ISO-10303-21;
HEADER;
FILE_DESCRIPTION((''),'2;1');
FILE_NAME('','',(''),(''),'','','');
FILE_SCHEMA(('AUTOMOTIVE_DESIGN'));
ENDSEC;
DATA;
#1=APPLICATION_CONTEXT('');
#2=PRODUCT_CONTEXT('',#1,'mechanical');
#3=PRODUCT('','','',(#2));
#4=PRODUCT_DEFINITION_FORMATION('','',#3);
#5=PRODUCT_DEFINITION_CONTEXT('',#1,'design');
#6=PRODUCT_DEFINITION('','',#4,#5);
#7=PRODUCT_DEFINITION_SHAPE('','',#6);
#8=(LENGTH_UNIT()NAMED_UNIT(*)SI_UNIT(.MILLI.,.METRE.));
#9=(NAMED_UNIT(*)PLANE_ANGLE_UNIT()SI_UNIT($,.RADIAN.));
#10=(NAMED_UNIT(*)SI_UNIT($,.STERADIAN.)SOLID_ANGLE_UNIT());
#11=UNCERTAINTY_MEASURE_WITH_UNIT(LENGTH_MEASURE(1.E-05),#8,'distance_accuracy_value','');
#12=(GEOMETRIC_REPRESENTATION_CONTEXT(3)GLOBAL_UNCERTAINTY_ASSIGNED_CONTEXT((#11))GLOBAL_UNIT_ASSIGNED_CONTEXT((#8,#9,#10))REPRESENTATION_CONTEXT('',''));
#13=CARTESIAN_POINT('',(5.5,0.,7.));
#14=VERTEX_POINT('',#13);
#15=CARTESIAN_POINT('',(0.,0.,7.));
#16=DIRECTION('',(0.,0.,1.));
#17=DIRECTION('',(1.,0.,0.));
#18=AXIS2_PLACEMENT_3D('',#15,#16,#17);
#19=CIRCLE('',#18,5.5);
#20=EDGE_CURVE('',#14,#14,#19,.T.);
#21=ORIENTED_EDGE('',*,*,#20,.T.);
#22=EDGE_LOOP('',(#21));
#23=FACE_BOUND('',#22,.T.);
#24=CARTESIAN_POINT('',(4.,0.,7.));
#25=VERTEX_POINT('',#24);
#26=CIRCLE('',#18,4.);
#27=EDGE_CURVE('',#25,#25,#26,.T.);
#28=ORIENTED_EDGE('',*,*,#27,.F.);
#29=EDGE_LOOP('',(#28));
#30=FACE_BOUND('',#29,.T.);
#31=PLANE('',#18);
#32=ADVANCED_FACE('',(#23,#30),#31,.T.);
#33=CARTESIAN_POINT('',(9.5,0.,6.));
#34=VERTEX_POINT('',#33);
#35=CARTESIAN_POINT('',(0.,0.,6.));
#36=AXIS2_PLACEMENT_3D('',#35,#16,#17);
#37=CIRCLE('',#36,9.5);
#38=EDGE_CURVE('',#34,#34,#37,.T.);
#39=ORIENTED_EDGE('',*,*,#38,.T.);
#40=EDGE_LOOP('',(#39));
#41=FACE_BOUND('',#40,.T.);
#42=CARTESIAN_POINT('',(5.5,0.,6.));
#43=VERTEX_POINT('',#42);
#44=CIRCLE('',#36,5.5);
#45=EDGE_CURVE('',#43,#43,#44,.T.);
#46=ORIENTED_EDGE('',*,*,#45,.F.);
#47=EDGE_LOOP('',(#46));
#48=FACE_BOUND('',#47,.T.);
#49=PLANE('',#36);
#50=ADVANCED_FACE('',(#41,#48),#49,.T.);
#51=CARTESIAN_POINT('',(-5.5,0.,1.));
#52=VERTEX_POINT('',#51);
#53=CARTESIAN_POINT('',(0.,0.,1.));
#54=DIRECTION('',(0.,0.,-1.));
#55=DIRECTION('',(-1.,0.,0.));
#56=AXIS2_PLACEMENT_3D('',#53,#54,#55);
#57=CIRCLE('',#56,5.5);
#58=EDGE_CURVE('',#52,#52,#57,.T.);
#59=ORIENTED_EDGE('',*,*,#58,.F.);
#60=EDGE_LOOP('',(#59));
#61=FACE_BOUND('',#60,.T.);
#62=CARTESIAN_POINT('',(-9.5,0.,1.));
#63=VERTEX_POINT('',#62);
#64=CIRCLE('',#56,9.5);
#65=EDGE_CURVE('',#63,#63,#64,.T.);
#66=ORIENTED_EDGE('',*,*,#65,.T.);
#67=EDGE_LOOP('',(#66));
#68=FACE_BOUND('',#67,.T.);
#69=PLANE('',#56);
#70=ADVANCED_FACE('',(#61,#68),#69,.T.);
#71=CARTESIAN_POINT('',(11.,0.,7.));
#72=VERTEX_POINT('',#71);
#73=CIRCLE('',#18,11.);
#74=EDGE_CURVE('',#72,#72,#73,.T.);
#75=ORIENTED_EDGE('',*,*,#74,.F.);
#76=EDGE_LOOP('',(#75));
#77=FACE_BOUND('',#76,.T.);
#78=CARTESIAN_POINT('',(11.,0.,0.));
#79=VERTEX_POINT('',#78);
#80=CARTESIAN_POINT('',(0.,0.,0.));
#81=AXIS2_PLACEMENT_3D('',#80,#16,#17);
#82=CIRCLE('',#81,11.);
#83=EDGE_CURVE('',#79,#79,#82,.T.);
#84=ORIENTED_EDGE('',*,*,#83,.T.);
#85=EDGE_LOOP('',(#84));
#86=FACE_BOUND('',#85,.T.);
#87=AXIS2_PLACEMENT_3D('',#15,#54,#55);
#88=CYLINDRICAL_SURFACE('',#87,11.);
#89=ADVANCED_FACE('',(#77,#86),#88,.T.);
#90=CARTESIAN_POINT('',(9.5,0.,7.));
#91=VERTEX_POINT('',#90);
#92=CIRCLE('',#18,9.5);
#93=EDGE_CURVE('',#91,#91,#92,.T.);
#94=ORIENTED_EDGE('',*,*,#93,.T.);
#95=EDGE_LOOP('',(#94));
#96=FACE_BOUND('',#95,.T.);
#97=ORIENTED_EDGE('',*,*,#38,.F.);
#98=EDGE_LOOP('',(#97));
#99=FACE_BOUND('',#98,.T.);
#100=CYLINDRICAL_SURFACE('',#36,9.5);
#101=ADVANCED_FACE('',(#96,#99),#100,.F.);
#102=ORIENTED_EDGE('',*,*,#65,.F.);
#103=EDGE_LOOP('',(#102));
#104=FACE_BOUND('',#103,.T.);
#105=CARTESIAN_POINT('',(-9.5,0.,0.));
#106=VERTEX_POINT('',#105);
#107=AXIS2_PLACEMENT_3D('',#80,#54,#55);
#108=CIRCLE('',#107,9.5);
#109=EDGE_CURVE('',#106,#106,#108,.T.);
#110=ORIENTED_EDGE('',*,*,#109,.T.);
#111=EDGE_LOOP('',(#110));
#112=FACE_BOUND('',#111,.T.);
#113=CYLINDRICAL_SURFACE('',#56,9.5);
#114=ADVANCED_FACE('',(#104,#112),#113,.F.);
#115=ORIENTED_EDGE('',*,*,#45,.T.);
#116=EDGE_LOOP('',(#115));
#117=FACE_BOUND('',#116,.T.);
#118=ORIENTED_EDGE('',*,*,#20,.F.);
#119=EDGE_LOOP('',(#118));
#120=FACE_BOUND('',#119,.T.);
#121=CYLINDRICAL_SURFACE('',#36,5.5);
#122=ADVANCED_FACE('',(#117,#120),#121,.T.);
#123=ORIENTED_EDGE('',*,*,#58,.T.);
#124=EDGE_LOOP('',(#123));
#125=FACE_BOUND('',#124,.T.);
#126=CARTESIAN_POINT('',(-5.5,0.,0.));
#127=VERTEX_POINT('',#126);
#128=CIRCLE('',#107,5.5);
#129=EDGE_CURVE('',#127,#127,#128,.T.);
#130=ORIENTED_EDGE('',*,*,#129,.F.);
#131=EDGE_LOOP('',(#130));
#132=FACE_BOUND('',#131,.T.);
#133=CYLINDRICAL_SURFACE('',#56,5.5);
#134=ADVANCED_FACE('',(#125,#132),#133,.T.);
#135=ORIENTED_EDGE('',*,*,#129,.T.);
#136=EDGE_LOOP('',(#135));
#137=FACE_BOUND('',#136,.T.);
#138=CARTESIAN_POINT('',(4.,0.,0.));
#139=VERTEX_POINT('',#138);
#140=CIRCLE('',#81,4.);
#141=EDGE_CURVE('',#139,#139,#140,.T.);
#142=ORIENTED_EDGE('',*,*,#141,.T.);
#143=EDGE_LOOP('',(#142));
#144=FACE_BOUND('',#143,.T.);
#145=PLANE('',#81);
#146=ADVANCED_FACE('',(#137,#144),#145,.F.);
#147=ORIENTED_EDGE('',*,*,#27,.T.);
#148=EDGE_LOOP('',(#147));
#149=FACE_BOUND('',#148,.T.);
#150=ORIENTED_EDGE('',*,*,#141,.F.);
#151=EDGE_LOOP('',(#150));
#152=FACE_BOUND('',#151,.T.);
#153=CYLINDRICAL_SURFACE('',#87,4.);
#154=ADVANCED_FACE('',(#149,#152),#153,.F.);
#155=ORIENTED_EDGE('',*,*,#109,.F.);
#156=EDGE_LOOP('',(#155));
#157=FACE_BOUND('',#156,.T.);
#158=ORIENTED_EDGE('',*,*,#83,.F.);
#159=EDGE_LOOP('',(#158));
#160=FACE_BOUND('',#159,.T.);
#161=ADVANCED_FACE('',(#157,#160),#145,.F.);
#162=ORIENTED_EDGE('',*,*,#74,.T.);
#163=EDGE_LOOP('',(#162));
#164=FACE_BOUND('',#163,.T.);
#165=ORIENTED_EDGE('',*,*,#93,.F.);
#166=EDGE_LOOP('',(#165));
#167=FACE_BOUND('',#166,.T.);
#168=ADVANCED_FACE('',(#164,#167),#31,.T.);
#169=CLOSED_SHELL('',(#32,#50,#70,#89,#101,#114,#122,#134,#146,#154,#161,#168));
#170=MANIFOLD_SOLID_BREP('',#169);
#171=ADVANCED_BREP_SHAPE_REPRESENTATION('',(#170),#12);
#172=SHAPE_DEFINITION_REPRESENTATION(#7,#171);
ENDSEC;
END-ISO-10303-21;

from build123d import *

# Parameters (mm, degrees)
SKETCH1_R           = 11
SKETCH1_R_2         = 4
BOSS_EXTRUDE1_DEPTH = 7
SKETCH2_R           = 9.5
SKETCH2_R_2         = 5.5
CUT_EXTRUDE1_DEPTH  = 1
SKETCH3_R           = 9.5
SKETCH3_R_2         = 5.5
CUT_EXTRUDE2_DEPTH  = 1


with BuildPart() as part:
    # Sketch1 → Boss-Extrude1 (new body)
    with BuildSketch(Plane.XY):
        Circle(SKETCH1_R)
        Circle(SKETCH1_R_2, mode=Mode.SUBTRACT)
    extrude(amount=BOSS_EXTRUDE1_DEPTH)

    # Sketch2 → Cut-Extrude1 (cut)
    with BuildSketch(Plane.XY.offset(7)):
        Circle(SKETCH2_R)
        Circle(SKETCH2_R_2, mode=Mode.SUBTRACT)
    extrude(amount=-CUT_EXTRUDE1_DEPTH, mode=Mode.SUBTRACT)

    # Sketch3 → Cut-Extrude2 (cut)
    with BuildSketch(Plane(origin=(0, 0, 0), x_dir=(-1, 0, 0), z_dir=(0, 0, -1))):
        Circle(SKETCH3_R)
        Circle(SKETCH3_R_2, mode=Mode.SUBTRACT)
    extrude(amount=-CUT_EXTRUDE2_DEPTH, mode=Mode.SUBTRACT)


solid = part.part
